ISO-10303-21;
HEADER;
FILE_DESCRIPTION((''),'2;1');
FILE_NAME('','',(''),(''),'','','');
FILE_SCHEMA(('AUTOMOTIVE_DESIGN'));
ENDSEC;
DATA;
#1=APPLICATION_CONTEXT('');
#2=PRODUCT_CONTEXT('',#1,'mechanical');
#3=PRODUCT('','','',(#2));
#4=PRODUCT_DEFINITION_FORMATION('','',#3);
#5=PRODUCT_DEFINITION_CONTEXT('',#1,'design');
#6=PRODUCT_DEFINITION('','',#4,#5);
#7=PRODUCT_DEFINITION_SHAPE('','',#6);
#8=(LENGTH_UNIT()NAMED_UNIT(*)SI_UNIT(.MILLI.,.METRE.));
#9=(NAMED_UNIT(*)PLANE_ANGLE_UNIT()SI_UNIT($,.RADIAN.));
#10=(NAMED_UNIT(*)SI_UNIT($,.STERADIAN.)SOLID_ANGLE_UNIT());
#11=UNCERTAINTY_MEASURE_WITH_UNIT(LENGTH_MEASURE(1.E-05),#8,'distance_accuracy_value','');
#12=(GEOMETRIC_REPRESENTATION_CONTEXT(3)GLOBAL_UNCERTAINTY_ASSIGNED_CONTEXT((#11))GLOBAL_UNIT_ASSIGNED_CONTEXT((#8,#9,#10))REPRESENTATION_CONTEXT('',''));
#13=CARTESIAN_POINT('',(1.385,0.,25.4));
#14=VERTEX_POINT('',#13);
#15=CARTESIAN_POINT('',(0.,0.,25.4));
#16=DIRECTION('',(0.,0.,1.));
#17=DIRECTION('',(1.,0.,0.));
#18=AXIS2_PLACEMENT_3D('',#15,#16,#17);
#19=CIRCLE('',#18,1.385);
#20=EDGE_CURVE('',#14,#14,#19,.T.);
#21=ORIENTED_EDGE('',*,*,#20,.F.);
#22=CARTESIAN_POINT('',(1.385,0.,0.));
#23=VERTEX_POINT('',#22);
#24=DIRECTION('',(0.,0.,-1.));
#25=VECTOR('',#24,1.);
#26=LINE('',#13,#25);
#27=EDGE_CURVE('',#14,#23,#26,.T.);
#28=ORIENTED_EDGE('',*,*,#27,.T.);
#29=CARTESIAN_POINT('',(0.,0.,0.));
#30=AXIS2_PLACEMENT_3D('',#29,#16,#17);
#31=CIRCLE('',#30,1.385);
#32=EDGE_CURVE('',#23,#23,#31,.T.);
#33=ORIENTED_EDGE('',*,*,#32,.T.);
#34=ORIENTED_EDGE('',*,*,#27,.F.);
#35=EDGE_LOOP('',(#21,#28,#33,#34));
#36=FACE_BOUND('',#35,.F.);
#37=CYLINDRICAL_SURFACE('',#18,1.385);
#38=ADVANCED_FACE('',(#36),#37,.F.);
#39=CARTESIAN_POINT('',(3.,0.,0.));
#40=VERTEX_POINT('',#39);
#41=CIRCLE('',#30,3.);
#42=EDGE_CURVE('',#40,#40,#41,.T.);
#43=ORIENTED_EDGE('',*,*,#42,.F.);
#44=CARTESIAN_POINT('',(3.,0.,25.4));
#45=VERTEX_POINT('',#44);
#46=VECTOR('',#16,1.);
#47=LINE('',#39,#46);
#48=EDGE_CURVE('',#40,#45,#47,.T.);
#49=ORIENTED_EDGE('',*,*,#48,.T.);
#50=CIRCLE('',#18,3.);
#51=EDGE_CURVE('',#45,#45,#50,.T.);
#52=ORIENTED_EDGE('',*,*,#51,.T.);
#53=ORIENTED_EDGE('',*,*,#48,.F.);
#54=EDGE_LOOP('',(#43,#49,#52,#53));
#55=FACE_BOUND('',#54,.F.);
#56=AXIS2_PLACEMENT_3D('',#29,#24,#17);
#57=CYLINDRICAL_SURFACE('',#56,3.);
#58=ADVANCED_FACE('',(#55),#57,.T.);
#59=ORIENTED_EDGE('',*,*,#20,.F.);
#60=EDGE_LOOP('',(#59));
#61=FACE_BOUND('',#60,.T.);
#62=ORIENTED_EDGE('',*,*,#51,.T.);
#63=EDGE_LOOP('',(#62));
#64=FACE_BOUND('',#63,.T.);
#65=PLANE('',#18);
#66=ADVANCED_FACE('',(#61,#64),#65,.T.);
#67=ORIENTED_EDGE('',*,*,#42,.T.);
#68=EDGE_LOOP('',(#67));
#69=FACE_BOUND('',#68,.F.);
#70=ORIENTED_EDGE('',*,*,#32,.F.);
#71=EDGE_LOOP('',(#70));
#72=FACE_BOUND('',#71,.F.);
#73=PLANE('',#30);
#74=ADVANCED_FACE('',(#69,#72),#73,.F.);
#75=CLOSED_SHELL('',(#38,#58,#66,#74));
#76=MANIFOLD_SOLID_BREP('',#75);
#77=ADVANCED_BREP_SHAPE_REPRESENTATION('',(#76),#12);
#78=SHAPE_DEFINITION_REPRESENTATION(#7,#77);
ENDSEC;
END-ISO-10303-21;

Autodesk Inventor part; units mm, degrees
ref_plane "YZ Plane" through (0, 0, 0) normal (1, 0, 0) x (0, 1, 0)
ref_plane "XZ Plane" through (0, 0, 0) normal (0, 1, 0) x (-1, 0, 0)
ref_plane "XY Plane" through (0, 0, 0) normal (0, 0, 1) x (1, 0, 0)
sketch "Sketch1" plane through (0, 0, 0) normal (0, 0, 1) x (1, 0, 0)
  circle A0 centre (0, 0) radius 3
  dimension "d0" = 6
extrude "Extrusion1" add sketch "Sketch1" along normal blind 25.4
sketch "Sketch2" plane through (0, 0, 25.4) normal (0, 0, 1) x (1, 0, 0)
  circle A0 centre (0, 0) radius 3 projected
  circle A1 centre (0, 0) radius 1.385
  dimension "d3" = 2.77
extrude "Extrusion2" cut sketch "Sketch2" against normal through all contours A1
properties part number "StandOff_1.0inch"
